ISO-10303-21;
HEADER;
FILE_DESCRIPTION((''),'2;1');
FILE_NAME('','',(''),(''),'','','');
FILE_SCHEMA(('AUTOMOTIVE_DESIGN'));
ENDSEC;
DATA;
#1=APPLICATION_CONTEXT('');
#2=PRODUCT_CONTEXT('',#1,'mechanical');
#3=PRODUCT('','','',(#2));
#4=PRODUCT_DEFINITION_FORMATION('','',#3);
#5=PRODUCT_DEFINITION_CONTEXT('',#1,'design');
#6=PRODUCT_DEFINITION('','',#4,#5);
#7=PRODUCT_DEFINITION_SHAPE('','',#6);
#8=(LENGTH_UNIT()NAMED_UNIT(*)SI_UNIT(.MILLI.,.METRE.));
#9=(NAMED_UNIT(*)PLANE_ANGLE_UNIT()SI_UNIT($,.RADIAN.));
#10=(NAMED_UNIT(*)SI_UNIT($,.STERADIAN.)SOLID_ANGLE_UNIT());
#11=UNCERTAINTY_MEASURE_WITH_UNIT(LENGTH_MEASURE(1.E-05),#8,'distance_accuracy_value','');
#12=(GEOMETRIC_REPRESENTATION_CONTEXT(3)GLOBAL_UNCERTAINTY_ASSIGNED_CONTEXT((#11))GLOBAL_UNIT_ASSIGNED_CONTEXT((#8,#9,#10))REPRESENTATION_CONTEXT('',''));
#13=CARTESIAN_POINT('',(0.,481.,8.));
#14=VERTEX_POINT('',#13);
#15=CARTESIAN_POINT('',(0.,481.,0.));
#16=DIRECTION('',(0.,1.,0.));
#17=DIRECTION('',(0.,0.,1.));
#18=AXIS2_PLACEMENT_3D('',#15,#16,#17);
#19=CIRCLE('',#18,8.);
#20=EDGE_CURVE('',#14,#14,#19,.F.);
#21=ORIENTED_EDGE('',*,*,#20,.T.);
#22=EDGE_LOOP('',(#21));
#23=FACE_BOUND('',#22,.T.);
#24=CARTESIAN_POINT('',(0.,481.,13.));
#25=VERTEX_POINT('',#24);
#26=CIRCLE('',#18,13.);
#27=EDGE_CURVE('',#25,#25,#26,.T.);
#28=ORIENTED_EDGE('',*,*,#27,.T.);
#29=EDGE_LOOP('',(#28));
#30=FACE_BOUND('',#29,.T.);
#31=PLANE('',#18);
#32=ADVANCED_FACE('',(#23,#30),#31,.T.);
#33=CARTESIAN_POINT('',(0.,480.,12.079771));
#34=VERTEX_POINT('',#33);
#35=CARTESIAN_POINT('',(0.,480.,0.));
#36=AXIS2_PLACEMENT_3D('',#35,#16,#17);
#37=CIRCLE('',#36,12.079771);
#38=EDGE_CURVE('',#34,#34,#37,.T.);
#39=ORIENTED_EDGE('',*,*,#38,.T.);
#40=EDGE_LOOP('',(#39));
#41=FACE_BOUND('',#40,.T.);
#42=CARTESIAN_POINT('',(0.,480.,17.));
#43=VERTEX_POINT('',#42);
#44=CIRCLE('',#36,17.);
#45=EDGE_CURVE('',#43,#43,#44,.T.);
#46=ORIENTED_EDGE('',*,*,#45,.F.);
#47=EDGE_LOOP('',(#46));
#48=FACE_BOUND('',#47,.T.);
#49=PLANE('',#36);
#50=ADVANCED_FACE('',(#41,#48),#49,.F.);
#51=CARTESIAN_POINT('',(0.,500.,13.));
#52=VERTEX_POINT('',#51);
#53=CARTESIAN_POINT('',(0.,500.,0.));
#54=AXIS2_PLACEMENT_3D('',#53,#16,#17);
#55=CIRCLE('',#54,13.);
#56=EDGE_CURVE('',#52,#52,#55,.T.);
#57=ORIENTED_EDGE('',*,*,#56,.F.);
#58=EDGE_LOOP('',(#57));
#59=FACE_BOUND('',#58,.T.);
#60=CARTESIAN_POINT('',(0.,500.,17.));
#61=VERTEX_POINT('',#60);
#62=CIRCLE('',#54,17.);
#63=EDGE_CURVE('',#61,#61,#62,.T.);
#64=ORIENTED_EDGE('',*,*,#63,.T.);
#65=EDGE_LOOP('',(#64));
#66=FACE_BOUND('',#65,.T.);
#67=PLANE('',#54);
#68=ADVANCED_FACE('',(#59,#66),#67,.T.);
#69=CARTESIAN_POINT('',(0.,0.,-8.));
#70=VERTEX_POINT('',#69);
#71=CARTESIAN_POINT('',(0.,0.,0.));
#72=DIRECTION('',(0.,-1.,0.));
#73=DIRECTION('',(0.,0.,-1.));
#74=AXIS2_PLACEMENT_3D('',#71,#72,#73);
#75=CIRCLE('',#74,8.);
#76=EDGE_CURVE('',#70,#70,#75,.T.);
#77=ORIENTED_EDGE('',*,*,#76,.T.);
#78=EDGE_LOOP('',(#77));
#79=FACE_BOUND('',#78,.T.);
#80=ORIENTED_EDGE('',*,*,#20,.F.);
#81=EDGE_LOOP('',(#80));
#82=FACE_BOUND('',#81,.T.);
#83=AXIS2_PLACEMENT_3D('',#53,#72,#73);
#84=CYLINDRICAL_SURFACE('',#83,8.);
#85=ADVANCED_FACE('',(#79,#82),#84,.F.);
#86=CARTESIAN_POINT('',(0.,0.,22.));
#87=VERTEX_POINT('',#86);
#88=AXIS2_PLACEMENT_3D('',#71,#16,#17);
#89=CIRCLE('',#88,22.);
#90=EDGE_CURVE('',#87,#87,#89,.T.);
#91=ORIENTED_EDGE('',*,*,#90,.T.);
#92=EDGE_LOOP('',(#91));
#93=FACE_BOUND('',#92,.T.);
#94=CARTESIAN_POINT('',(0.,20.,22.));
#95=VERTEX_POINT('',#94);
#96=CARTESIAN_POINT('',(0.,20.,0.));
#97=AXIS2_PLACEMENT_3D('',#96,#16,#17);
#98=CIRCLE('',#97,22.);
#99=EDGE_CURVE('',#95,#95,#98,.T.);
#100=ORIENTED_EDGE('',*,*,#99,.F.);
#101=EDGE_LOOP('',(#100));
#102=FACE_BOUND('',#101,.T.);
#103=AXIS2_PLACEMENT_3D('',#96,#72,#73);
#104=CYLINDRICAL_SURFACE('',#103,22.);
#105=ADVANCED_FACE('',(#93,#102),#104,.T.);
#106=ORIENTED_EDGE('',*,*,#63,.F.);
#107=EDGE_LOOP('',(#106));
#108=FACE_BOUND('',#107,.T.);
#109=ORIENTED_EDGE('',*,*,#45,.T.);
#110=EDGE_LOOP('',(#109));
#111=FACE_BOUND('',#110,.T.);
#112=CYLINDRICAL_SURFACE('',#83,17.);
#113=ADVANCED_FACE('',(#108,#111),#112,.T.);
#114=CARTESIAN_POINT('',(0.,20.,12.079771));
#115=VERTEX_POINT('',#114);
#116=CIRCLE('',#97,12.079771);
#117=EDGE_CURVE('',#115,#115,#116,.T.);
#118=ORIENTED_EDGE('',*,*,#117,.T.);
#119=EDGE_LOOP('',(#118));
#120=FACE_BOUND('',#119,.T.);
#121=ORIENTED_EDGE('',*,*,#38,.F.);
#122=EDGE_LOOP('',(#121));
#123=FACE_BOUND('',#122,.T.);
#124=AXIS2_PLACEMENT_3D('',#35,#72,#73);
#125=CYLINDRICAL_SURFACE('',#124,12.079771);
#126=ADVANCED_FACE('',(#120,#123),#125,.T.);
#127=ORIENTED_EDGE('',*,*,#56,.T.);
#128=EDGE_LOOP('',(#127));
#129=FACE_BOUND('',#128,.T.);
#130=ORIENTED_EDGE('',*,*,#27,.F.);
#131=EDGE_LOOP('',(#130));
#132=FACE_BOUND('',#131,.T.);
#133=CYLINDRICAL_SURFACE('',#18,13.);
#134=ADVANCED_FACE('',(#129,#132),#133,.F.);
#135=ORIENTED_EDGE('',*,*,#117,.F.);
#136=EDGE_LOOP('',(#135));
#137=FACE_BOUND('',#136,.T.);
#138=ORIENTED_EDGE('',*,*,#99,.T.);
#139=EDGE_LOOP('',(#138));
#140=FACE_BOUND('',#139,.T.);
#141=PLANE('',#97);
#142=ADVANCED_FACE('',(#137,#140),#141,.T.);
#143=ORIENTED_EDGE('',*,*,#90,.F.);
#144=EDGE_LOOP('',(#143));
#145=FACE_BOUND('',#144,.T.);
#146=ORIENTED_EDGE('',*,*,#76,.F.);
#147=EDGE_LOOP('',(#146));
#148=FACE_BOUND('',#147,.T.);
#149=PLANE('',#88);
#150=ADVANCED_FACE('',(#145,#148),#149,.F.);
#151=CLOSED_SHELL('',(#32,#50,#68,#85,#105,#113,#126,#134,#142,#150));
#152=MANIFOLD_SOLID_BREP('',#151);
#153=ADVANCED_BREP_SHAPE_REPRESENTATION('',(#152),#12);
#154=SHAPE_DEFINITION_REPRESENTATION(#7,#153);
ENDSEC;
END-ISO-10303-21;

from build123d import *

# Parameters (mm, degrees)
SKETCH_1_R          = 22
EXTRUDE_1_DEPTH     = 20
SKETCH_2_R          = 12.079771489
EXTRUDE_2_DEPTH     = 460
SKETCH_3_R          = 17
EXTRUDE_3_DEPTH     = 20
SKETCH_4_R          = 8
CUT_EXTRUDE_1_DEPTH = 501
SKETCH_5_R          = 13
CUT_EXTRUDE_2_DEPTH = 19


with BuildPart() as part:
    # 草图1 → 凸台-拉伸1 (new body)
    with BuildSketch(Plane(origin=(0, 0, 0), x_dir=(1, 0, 0), z_dir=(0, 1, 0))):
        Circle(SKETCH_1_R)
    extrude(amount=EXTRUDE_1_DEPTH)

    # 草图2 → 凸台-拉伸2 (add)
    with BuildSketch(Plane(origin=(0, 20, 0), x_dir=(1, 0, 0), z_dir=(0, 1, 0))):
        Circle(SKETCH_2_R)
    extrude(amount=EXTRUDE_2_DEPTH)

    # 草图3 → 凸台-拉伸3 (add)
    with BuildSketch(Plane(origin=(0, 480, 0), x_dir=(1, 0, 0), z_dir=(0, 1, 0))):
        Circle(SKETCH_3_R)
    extrude(amount=EXTRUDE_3_DEPTH)

    # 草图4 → 切除-拉伸1 (cut, through all)
    with BuildSketch(Plane.XZ):
        Circle(SKETCH_4_R)
    extrude(amount=-CUT_EXTRUDE_1_DEPTH, mode=Mode.SUBTRACT)

    # 草图5 → 切除-拉伸2 (cut)
    with BuildSketch(Plane(origin=(0, 500, 0), x_dir=(1, 0, 0), z_dir=(0, 1, 0))):
        Circle(SKETCH_5_R)
    extrude(amount=-CUT_EXTRUDE_2_DEPTH, mode=Mode.SUBTRACT)


solid = part.part
